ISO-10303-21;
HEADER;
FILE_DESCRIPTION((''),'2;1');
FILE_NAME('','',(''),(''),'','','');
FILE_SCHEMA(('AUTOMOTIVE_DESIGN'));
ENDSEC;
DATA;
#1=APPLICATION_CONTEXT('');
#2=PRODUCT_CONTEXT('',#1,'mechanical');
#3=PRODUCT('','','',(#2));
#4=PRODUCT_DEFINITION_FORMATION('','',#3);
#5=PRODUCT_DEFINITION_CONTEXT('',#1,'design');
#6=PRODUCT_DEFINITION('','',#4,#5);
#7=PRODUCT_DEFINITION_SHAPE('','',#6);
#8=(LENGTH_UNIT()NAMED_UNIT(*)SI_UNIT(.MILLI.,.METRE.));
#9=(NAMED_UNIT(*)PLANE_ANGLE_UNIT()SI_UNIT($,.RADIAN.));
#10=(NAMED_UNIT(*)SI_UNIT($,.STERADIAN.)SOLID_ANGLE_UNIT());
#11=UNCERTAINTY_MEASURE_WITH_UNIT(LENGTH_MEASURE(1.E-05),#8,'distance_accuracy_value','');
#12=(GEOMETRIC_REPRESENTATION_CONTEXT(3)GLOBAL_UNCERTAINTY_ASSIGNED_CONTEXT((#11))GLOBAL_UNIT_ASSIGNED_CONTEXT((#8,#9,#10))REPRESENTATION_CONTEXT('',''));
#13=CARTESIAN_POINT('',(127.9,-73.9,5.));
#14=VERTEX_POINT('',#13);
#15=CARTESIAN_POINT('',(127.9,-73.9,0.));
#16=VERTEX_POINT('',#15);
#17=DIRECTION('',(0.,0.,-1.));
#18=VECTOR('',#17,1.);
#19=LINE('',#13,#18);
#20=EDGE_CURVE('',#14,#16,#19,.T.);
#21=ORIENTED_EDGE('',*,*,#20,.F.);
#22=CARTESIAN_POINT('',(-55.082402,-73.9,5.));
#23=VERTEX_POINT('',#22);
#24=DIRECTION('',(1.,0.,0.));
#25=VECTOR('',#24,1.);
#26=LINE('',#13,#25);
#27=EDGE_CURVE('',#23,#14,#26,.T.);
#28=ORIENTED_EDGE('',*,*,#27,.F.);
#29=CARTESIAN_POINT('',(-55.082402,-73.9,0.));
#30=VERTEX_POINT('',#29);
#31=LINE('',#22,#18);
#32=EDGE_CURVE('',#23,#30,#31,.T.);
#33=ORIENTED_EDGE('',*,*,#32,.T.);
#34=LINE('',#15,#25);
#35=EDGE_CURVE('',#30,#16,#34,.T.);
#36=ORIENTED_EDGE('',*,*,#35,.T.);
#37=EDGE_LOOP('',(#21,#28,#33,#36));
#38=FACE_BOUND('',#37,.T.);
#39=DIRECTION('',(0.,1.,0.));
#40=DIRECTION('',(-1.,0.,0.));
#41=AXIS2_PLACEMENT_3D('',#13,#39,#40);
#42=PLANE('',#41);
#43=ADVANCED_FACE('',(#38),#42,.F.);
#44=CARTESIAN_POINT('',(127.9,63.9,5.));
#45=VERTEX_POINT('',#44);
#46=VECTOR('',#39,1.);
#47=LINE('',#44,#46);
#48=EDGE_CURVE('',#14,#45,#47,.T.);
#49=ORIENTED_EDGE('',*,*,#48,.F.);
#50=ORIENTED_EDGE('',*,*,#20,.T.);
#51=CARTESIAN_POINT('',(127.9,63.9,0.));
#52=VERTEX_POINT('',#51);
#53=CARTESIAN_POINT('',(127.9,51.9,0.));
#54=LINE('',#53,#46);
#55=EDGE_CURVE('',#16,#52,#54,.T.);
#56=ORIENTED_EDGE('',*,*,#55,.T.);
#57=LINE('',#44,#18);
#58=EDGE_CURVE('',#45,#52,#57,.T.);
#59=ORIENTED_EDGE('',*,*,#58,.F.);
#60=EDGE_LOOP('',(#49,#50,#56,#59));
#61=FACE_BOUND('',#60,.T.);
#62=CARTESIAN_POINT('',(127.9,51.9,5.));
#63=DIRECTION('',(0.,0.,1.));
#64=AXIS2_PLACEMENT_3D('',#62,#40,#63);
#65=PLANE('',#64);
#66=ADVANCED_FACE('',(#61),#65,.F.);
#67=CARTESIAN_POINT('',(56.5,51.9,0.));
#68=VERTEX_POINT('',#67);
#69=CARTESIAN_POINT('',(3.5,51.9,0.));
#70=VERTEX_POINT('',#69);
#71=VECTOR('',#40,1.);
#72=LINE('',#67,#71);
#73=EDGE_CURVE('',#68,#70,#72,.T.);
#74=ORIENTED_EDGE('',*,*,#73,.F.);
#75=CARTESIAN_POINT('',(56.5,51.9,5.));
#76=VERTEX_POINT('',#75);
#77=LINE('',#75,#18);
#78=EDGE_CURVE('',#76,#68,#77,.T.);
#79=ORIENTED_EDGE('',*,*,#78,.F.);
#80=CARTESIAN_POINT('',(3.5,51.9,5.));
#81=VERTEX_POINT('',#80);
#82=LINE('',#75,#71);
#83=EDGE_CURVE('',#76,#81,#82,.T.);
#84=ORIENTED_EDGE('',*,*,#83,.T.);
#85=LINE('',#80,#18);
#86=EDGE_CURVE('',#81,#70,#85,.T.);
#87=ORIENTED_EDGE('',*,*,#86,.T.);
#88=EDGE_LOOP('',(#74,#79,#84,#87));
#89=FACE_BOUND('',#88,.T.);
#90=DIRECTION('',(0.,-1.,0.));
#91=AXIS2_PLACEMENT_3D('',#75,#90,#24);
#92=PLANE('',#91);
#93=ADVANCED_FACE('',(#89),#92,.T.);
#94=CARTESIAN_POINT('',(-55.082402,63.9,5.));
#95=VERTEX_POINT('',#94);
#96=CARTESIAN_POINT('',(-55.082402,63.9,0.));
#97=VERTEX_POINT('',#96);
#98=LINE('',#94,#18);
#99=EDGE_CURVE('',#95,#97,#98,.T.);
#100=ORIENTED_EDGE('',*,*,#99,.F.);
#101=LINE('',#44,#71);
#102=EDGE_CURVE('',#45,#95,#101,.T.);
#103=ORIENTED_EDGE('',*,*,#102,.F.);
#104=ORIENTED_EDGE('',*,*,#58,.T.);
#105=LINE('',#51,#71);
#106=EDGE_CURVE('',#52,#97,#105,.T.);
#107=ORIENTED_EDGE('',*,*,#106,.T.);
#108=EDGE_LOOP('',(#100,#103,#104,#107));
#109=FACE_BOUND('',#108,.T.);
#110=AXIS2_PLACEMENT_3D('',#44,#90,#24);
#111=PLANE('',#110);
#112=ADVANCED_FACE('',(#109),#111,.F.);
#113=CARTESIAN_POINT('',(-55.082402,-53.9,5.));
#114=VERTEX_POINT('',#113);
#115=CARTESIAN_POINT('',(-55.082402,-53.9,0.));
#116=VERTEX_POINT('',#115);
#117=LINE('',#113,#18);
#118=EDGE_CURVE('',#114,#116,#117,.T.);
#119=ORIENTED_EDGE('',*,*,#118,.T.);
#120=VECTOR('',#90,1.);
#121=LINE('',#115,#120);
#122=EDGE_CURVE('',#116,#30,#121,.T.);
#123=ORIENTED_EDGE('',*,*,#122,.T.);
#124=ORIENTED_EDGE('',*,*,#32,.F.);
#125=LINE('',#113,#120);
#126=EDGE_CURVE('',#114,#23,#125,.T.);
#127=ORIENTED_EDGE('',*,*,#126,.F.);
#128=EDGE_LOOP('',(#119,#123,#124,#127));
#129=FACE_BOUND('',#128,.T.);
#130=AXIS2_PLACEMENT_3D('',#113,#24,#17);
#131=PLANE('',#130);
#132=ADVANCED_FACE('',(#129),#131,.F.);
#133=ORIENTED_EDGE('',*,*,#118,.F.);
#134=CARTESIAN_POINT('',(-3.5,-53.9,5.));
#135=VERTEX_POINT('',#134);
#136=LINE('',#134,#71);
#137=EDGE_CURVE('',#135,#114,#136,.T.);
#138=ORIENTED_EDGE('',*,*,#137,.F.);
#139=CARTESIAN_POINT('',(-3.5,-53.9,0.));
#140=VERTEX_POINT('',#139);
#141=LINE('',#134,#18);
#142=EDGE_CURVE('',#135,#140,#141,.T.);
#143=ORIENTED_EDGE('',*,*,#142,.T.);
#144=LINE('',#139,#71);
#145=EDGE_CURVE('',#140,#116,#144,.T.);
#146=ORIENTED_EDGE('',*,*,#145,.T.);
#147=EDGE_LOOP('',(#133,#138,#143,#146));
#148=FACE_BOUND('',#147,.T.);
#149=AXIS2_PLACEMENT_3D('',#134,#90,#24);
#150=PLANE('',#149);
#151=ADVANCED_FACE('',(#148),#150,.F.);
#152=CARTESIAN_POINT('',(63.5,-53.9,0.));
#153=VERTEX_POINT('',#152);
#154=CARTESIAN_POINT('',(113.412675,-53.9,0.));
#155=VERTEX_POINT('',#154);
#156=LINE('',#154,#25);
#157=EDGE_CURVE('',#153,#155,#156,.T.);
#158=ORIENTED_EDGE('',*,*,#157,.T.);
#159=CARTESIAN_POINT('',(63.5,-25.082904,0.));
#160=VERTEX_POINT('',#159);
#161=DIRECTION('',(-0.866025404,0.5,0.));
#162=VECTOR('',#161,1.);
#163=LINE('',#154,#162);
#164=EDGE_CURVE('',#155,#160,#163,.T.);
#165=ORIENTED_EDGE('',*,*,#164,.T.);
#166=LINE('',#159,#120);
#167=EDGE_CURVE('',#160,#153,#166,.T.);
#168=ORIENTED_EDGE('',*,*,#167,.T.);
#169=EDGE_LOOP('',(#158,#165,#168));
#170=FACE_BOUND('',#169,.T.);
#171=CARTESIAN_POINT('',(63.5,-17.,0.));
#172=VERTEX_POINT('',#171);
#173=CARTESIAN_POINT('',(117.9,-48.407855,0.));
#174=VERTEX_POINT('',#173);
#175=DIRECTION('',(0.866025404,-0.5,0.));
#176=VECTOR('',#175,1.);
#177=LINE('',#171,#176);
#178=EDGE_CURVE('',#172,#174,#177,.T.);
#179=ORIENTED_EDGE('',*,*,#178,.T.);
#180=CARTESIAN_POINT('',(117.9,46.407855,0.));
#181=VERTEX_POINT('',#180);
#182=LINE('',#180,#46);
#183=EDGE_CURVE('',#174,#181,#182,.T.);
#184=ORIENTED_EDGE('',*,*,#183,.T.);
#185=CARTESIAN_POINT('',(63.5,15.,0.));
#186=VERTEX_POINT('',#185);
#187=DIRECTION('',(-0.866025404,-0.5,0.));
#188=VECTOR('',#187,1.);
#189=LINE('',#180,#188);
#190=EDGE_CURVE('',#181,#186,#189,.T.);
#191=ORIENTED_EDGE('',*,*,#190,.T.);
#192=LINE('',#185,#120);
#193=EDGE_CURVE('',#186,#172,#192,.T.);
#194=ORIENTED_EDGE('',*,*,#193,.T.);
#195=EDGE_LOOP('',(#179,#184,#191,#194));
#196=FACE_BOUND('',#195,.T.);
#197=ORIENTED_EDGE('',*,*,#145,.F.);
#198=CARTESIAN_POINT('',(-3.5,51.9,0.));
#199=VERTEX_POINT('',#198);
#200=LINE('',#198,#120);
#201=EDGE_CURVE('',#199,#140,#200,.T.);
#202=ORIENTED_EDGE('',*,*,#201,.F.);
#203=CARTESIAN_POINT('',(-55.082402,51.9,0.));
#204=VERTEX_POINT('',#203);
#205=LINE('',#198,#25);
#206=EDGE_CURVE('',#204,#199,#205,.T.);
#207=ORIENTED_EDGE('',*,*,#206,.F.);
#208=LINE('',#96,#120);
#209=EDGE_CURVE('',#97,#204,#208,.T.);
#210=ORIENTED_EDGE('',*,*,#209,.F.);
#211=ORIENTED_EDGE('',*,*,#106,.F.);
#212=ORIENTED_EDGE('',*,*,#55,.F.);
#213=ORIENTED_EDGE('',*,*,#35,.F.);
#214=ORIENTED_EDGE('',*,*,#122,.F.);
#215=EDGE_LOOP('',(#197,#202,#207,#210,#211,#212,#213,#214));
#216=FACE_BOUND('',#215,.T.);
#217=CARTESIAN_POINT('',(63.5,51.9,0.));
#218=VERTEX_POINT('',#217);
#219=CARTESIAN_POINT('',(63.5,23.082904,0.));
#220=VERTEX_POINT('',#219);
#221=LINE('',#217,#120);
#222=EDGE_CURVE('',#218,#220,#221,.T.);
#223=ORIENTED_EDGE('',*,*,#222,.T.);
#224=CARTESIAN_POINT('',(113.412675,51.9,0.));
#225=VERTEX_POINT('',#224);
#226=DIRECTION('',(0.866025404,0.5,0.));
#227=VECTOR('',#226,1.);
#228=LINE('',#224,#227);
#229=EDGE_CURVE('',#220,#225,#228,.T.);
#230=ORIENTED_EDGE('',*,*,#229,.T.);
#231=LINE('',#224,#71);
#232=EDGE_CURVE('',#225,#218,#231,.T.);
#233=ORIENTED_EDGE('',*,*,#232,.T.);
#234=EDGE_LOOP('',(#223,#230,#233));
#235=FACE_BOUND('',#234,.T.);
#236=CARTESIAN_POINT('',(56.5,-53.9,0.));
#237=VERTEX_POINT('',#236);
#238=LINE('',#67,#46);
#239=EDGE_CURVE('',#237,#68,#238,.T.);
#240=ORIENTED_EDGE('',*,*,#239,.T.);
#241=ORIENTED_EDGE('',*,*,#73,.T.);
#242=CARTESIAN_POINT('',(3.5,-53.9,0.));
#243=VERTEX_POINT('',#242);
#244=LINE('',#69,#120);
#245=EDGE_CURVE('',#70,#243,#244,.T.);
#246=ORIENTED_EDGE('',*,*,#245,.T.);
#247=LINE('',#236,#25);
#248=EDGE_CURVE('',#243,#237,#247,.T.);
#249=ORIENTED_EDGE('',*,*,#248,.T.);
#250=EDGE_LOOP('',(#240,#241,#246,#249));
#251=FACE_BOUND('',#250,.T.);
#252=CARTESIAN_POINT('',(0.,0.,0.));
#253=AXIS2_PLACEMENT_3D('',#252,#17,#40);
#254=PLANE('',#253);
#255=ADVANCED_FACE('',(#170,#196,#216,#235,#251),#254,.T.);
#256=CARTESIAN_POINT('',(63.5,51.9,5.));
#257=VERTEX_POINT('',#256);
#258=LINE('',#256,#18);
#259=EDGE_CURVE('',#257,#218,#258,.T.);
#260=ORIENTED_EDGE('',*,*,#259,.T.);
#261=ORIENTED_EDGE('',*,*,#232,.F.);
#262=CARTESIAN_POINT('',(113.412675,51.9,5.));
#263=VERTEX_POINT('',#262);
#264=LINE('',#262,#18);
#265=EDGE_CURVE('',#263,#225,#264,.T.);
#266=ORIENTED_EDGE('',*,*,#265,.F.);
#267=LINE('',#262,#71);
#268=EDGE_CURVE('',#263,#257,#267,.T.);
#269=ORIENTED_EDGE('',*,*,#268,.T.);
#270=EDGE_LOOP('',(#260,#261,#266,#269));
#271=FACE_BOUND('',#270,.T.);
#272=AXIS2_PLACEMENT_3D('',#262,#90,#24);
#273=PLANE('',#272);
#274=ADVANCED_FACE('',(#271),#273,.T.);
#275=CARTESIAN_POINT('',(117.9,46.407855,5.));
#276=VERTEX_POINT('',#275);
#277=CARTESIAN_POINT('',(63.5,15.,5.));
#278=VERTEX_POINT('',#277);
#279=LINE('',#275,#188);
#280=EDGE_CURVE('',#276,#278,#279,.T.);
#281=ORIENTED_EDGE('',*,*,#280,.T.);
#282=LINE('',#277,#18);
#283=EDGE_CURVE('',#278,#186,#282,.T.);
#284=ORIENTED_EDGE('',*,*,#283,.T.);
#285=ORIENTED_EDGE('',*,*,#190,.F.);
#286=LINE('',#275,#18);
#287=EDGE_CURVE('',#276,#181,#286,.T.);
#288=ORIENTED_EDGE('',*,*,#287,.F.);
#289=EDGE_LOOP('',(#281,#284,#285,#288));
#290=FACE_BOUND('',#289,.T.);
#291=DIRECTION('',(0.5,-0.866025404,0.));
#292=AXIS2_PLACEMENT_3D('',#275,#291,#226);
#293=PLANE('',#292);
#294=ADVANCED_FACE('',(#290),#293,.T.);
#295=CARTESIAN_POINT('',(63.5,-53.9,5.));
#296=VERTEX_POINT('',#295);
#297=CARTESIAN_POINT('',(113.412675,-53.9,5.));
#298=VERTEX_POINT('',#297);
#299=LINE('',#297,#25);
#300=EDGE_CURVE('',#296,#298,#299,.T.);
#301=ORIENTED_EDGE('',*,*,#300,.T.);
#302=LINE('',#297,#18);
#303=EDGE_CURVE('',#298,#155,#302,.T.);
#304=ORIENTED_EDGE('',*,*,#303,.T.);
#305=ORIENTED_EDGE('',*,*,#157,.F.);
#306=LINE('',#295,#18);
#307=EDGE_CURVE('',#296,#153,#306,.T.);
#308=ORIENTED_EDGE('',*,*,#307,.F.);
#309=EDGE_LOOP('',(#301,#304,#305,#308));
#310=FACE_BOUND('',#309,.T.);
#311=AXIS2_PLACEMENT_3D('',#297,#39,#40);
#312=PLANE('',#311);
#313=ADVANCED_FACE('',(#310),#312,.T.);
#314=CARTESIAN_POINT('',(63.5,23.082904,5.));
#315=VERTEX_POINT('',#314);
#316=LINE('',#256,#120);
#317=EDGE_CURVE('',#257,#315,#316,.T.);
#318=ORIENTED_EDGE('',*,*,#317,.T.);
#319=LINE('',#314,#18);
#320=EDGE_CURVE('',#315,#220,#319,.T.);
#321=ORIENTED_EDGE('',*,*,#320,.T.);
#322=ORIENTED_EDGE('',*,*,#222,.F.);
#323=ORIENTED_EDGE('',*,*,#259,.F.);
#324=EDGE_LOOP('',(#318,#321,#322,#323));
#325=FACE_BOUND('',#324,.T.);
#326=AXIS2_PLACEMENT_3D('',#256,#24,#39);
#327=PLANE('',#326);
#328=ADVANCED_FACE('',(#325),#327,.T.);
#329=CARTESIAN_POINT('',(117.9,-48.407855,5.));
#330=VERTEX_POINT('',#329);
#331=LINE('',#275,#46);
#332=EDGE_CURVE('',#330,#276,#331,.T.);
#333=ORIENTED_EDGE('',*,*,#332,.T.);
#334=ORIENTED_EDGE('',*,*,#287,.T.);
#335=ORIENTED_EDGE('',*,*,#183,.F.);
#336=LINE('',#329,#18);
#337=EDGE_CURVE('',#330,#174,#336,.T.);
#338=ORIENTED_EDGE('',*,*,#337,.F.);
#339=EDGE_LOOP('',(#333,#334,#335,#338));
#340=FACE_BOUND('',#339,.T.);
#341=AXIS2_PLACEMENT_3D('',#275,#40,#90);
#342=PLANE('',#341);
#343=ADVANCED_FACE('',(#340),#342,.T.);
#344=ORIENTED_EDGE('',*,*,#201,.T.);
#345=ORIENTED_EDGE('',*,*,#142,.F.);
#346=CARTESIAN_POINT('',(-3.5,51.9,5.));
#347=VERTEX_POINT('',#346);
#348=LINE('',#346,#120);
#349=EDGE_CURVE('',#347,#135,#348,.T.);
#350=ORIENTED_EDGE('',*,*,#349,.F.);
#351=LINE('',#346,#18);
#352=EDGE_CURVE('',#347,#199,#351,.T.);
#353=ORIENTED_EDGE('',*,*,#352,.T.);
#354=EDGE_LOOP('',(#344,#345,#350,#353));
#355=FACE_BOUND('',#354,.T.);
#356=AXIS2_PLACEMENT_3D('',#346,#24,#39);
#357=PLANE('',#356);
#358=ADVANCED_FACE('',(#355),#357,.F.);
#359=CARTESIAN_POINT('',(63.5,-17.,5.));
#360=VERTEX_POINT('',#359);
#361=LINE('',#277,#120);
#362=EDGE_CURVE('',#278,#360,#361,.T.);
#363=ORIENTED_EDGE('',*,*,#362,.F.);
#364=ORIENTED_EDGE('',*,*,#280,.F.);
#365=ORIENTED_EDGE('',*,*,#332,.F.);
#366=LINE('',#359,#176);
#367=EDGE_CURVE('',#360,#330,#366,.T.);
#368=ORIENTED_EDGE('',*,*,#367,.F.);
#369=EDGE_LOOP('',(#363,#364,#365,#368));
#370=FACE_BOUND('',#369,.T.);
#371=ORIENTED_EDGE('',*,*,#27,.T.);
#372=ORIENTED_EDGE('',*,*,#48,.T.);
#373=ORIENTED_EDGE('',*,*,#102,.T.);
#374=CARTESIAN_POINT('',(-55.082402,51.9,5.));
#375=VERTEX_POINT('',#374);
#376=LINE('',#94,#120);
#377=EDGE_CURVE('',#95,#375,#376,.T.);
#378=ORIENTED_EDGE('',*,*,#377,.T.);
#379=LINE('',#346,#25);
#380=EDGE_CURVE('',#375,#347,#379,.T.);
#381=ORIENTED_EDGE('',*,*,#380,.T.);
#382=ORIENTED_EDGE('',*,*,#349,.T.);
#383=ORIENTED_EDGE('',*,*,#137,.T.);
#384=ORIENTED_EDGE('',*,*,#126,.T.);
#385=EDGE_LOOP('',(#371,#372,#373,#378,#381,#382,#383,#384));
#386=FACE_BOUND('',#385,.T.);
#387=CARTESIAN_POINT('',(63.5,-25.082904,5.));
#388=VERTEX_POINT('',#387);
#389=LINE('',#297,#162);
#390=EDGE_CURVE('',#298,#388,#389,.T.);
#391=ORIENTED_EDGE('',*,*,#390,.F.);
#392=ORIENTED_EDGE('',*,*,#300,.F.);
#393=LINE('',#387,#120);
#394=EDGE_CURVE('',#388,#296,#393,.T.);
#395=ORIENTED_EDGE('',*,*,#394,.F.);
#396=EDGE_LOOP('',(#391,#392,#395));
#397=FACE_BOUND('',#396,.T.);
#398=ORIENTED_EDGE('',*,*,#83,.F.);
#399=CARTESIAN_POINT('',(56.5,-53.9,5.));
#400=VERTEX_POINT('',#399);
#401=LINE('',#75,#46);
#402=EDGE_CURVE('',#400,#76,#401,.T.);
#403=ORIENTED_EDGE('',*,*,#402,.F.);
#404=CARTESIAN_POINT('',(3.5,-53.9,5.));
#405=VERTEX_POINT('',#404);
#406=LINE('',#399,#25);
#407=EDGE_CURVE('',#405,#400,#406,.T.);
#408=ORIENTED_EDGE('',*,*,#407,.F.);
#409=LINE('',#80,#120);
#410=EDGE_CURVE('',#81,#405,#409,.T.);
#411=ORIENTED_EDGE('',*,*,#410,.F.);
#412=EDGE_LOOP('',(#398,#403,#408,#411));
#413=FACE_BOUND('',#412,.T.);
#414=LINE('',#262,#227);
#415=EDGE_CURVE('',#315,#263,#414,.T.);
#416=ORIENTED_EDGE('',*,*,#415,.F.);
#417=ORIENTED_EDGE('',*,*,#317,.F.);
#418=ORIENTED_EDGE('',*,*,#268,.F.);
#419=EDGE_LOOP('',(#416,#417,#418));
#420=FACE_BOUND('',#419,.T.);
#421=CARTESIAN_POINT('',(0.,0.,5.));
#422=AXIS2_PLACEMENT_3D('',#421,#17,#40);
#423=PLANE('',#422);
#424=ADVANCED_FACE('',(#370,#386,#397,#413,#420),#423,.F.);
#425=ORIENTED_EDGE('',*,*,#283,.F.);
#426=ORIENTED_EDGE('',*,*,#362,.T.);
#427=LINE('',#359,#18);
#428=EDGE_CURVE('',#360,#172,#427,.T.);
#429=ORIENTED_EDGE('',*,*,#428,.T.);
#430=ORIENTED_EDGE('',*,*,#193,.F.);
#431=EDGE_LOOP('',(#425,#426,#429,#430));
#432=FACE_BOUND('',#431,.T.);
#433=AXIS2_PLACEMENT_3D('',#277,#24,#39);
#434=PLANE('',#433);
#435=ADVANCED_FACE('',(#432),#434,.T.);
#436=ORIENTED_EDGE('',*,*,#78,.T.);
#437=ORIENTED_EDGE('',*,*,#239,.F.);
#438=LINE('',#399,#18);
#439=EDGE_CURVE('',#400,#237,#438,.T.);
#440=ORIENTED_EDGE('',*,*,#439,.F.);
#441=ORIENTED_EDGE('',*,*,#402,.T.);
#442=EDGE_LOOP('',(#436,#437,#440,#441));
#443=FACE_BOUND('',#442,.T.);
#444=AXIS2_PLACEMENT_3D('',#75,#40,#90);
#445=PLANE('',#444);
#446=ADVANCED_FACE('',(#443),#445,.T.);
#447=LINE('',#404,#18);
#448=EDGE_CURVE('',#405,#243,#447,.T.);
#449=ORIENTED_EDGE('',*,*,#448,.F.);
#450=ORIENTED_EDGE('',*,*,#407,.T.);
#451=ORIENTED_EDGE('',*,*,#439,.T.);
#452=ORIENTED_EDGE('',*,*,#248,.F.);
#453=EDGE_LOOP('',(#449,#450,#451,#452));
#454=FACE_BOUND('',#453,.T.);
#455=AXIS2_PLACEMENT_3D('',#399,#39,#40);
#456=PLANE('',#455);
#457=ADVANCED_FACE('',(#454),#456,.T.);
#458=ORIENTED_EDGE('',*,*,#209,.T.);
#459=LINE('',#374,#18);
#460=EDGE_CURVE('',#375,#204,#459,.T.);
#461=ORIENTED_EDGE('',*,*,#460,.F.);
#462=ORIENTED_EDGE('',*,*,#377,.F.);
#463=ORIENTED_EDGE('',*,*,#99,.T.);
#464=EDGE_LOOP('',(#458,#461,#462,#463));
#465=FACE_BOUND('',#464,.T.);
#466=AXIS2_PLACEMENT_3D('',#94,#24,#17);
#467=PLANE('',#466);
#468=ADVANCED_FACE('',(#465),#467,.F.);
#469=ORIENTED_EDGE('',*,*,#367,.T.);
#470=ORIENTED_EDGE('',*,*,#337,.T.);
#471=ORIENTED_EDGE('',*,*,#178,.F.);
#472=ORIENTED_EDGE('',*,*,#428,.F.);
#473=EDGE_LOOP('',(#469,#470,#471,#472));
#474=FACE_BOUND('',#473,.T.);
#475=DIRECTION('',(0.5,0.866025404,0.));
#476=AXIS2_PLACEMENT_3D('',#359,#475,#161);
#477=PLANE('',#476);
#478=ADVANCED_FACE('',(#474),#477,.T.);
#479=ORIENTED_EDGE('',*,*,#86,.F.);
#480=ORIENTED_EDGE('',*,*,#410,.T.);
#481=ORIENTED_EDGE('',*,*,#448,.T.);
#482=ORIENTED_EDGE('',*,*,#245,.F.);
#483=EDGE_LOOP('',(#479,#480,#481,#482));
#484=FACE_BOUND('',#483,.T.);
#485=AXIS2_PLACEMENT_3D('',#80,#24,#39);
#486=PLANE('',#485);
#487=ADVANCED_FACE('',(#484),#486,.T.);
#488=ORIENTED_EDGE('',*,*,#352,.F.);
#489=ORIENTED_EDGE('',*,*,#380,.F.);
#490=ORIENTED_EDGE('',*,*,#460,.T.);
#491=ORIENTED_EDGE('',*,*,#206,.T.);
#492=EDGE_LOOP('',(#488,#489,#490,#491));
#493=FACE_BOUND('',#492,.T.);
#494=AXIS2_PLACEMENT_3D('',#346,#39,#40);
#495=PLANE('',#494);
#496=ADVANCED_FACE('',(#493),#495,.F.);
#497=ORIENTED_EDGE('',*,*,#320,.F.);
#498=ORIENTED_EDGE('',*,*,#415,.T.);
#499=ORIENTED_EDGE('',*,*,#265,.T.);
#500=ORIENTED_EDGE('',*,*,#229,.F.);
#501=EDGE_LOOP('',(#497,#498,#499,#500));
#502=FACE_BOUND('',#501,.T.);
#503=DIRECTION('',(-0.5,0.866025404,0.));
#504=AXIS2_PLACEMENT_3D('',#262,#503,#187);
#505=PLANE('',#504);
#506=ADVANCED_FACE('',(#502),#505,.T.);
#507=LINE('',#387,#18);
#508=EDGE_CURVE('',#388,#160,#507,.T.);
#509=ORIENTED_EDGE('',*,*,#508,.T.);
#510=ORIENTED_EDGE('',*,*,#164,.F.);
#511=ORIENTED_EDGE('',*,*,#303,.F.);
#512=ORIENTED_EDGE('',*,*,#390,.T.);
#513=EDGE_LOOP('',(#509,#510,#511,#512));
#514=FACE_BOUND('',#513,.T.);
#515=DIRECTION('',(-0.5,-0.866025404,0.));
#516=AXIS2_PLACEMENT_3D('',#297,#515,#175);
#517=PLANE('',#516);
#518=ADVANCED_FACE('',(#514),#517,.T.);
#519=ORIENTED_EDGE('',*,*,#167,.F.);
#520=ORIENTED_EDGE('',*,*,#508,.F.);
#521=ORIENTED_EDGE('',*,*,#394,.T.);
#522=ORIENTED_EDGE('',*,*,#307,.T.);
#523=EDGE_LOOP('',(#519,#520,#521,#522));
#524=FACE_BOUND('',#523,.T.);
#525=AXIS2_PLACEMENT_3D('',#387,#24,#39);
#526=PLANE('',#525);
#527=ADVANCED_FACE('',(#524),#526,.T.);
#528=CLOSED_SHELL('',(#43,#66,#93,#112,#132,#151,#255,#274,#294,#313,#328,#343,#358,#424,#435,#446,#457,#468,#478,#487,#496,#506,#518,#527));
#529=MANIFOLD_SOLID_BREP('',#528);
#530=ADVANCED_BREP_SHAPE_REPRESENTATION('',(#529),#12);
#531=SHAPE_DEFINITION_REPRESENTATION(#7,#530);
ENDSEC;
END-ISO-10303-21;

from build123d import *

# Parameters (mm, degrees)
SKETCH1_W           = 53
SKETCH1_H           = 105.8
BOSS_EXTRUDE1_DEPTH = 5


with BuildPart() as part:
    # Sketch1 → Boss-Extrude1 (new body)
    with BuildSketch(Plane.XY):
        Polygon((127.9, 63.9), (-55.082401894, 63.9), (-55.082401894, 51.9), (-3.5, 51.9), (-3.5, -53.9), (-55.082401894, -53.9), (-55.082401894, -73.9), (127.9, -73.9), (127.9, 51.9), align=None)
        with Locations((30, -1)):
            Rectangle(SKETCH1_W, SKETCH1_H, mode=Mode.SUBTRACT)
        Polygon((113.412674799, 51.9), (63.5, 51.9), (63.5, 23.082903769), align=None, mode=Mode.SUBTRACT)
        Polygon((113.412674799, -53.9), (63.5, -53.9), (63.5, -25.082903769), align=None, mode=Mode.SUBTRACT)
        Polygon((117.9, 46.407854644), (117.9, -48.407854644), (63.5, -17), (63.5, 15), align=None, mode=Mode.SUBTRACT)
    extrude(amount=BOSS_EXTRUDE1_DEPTH)


solid = part.part
